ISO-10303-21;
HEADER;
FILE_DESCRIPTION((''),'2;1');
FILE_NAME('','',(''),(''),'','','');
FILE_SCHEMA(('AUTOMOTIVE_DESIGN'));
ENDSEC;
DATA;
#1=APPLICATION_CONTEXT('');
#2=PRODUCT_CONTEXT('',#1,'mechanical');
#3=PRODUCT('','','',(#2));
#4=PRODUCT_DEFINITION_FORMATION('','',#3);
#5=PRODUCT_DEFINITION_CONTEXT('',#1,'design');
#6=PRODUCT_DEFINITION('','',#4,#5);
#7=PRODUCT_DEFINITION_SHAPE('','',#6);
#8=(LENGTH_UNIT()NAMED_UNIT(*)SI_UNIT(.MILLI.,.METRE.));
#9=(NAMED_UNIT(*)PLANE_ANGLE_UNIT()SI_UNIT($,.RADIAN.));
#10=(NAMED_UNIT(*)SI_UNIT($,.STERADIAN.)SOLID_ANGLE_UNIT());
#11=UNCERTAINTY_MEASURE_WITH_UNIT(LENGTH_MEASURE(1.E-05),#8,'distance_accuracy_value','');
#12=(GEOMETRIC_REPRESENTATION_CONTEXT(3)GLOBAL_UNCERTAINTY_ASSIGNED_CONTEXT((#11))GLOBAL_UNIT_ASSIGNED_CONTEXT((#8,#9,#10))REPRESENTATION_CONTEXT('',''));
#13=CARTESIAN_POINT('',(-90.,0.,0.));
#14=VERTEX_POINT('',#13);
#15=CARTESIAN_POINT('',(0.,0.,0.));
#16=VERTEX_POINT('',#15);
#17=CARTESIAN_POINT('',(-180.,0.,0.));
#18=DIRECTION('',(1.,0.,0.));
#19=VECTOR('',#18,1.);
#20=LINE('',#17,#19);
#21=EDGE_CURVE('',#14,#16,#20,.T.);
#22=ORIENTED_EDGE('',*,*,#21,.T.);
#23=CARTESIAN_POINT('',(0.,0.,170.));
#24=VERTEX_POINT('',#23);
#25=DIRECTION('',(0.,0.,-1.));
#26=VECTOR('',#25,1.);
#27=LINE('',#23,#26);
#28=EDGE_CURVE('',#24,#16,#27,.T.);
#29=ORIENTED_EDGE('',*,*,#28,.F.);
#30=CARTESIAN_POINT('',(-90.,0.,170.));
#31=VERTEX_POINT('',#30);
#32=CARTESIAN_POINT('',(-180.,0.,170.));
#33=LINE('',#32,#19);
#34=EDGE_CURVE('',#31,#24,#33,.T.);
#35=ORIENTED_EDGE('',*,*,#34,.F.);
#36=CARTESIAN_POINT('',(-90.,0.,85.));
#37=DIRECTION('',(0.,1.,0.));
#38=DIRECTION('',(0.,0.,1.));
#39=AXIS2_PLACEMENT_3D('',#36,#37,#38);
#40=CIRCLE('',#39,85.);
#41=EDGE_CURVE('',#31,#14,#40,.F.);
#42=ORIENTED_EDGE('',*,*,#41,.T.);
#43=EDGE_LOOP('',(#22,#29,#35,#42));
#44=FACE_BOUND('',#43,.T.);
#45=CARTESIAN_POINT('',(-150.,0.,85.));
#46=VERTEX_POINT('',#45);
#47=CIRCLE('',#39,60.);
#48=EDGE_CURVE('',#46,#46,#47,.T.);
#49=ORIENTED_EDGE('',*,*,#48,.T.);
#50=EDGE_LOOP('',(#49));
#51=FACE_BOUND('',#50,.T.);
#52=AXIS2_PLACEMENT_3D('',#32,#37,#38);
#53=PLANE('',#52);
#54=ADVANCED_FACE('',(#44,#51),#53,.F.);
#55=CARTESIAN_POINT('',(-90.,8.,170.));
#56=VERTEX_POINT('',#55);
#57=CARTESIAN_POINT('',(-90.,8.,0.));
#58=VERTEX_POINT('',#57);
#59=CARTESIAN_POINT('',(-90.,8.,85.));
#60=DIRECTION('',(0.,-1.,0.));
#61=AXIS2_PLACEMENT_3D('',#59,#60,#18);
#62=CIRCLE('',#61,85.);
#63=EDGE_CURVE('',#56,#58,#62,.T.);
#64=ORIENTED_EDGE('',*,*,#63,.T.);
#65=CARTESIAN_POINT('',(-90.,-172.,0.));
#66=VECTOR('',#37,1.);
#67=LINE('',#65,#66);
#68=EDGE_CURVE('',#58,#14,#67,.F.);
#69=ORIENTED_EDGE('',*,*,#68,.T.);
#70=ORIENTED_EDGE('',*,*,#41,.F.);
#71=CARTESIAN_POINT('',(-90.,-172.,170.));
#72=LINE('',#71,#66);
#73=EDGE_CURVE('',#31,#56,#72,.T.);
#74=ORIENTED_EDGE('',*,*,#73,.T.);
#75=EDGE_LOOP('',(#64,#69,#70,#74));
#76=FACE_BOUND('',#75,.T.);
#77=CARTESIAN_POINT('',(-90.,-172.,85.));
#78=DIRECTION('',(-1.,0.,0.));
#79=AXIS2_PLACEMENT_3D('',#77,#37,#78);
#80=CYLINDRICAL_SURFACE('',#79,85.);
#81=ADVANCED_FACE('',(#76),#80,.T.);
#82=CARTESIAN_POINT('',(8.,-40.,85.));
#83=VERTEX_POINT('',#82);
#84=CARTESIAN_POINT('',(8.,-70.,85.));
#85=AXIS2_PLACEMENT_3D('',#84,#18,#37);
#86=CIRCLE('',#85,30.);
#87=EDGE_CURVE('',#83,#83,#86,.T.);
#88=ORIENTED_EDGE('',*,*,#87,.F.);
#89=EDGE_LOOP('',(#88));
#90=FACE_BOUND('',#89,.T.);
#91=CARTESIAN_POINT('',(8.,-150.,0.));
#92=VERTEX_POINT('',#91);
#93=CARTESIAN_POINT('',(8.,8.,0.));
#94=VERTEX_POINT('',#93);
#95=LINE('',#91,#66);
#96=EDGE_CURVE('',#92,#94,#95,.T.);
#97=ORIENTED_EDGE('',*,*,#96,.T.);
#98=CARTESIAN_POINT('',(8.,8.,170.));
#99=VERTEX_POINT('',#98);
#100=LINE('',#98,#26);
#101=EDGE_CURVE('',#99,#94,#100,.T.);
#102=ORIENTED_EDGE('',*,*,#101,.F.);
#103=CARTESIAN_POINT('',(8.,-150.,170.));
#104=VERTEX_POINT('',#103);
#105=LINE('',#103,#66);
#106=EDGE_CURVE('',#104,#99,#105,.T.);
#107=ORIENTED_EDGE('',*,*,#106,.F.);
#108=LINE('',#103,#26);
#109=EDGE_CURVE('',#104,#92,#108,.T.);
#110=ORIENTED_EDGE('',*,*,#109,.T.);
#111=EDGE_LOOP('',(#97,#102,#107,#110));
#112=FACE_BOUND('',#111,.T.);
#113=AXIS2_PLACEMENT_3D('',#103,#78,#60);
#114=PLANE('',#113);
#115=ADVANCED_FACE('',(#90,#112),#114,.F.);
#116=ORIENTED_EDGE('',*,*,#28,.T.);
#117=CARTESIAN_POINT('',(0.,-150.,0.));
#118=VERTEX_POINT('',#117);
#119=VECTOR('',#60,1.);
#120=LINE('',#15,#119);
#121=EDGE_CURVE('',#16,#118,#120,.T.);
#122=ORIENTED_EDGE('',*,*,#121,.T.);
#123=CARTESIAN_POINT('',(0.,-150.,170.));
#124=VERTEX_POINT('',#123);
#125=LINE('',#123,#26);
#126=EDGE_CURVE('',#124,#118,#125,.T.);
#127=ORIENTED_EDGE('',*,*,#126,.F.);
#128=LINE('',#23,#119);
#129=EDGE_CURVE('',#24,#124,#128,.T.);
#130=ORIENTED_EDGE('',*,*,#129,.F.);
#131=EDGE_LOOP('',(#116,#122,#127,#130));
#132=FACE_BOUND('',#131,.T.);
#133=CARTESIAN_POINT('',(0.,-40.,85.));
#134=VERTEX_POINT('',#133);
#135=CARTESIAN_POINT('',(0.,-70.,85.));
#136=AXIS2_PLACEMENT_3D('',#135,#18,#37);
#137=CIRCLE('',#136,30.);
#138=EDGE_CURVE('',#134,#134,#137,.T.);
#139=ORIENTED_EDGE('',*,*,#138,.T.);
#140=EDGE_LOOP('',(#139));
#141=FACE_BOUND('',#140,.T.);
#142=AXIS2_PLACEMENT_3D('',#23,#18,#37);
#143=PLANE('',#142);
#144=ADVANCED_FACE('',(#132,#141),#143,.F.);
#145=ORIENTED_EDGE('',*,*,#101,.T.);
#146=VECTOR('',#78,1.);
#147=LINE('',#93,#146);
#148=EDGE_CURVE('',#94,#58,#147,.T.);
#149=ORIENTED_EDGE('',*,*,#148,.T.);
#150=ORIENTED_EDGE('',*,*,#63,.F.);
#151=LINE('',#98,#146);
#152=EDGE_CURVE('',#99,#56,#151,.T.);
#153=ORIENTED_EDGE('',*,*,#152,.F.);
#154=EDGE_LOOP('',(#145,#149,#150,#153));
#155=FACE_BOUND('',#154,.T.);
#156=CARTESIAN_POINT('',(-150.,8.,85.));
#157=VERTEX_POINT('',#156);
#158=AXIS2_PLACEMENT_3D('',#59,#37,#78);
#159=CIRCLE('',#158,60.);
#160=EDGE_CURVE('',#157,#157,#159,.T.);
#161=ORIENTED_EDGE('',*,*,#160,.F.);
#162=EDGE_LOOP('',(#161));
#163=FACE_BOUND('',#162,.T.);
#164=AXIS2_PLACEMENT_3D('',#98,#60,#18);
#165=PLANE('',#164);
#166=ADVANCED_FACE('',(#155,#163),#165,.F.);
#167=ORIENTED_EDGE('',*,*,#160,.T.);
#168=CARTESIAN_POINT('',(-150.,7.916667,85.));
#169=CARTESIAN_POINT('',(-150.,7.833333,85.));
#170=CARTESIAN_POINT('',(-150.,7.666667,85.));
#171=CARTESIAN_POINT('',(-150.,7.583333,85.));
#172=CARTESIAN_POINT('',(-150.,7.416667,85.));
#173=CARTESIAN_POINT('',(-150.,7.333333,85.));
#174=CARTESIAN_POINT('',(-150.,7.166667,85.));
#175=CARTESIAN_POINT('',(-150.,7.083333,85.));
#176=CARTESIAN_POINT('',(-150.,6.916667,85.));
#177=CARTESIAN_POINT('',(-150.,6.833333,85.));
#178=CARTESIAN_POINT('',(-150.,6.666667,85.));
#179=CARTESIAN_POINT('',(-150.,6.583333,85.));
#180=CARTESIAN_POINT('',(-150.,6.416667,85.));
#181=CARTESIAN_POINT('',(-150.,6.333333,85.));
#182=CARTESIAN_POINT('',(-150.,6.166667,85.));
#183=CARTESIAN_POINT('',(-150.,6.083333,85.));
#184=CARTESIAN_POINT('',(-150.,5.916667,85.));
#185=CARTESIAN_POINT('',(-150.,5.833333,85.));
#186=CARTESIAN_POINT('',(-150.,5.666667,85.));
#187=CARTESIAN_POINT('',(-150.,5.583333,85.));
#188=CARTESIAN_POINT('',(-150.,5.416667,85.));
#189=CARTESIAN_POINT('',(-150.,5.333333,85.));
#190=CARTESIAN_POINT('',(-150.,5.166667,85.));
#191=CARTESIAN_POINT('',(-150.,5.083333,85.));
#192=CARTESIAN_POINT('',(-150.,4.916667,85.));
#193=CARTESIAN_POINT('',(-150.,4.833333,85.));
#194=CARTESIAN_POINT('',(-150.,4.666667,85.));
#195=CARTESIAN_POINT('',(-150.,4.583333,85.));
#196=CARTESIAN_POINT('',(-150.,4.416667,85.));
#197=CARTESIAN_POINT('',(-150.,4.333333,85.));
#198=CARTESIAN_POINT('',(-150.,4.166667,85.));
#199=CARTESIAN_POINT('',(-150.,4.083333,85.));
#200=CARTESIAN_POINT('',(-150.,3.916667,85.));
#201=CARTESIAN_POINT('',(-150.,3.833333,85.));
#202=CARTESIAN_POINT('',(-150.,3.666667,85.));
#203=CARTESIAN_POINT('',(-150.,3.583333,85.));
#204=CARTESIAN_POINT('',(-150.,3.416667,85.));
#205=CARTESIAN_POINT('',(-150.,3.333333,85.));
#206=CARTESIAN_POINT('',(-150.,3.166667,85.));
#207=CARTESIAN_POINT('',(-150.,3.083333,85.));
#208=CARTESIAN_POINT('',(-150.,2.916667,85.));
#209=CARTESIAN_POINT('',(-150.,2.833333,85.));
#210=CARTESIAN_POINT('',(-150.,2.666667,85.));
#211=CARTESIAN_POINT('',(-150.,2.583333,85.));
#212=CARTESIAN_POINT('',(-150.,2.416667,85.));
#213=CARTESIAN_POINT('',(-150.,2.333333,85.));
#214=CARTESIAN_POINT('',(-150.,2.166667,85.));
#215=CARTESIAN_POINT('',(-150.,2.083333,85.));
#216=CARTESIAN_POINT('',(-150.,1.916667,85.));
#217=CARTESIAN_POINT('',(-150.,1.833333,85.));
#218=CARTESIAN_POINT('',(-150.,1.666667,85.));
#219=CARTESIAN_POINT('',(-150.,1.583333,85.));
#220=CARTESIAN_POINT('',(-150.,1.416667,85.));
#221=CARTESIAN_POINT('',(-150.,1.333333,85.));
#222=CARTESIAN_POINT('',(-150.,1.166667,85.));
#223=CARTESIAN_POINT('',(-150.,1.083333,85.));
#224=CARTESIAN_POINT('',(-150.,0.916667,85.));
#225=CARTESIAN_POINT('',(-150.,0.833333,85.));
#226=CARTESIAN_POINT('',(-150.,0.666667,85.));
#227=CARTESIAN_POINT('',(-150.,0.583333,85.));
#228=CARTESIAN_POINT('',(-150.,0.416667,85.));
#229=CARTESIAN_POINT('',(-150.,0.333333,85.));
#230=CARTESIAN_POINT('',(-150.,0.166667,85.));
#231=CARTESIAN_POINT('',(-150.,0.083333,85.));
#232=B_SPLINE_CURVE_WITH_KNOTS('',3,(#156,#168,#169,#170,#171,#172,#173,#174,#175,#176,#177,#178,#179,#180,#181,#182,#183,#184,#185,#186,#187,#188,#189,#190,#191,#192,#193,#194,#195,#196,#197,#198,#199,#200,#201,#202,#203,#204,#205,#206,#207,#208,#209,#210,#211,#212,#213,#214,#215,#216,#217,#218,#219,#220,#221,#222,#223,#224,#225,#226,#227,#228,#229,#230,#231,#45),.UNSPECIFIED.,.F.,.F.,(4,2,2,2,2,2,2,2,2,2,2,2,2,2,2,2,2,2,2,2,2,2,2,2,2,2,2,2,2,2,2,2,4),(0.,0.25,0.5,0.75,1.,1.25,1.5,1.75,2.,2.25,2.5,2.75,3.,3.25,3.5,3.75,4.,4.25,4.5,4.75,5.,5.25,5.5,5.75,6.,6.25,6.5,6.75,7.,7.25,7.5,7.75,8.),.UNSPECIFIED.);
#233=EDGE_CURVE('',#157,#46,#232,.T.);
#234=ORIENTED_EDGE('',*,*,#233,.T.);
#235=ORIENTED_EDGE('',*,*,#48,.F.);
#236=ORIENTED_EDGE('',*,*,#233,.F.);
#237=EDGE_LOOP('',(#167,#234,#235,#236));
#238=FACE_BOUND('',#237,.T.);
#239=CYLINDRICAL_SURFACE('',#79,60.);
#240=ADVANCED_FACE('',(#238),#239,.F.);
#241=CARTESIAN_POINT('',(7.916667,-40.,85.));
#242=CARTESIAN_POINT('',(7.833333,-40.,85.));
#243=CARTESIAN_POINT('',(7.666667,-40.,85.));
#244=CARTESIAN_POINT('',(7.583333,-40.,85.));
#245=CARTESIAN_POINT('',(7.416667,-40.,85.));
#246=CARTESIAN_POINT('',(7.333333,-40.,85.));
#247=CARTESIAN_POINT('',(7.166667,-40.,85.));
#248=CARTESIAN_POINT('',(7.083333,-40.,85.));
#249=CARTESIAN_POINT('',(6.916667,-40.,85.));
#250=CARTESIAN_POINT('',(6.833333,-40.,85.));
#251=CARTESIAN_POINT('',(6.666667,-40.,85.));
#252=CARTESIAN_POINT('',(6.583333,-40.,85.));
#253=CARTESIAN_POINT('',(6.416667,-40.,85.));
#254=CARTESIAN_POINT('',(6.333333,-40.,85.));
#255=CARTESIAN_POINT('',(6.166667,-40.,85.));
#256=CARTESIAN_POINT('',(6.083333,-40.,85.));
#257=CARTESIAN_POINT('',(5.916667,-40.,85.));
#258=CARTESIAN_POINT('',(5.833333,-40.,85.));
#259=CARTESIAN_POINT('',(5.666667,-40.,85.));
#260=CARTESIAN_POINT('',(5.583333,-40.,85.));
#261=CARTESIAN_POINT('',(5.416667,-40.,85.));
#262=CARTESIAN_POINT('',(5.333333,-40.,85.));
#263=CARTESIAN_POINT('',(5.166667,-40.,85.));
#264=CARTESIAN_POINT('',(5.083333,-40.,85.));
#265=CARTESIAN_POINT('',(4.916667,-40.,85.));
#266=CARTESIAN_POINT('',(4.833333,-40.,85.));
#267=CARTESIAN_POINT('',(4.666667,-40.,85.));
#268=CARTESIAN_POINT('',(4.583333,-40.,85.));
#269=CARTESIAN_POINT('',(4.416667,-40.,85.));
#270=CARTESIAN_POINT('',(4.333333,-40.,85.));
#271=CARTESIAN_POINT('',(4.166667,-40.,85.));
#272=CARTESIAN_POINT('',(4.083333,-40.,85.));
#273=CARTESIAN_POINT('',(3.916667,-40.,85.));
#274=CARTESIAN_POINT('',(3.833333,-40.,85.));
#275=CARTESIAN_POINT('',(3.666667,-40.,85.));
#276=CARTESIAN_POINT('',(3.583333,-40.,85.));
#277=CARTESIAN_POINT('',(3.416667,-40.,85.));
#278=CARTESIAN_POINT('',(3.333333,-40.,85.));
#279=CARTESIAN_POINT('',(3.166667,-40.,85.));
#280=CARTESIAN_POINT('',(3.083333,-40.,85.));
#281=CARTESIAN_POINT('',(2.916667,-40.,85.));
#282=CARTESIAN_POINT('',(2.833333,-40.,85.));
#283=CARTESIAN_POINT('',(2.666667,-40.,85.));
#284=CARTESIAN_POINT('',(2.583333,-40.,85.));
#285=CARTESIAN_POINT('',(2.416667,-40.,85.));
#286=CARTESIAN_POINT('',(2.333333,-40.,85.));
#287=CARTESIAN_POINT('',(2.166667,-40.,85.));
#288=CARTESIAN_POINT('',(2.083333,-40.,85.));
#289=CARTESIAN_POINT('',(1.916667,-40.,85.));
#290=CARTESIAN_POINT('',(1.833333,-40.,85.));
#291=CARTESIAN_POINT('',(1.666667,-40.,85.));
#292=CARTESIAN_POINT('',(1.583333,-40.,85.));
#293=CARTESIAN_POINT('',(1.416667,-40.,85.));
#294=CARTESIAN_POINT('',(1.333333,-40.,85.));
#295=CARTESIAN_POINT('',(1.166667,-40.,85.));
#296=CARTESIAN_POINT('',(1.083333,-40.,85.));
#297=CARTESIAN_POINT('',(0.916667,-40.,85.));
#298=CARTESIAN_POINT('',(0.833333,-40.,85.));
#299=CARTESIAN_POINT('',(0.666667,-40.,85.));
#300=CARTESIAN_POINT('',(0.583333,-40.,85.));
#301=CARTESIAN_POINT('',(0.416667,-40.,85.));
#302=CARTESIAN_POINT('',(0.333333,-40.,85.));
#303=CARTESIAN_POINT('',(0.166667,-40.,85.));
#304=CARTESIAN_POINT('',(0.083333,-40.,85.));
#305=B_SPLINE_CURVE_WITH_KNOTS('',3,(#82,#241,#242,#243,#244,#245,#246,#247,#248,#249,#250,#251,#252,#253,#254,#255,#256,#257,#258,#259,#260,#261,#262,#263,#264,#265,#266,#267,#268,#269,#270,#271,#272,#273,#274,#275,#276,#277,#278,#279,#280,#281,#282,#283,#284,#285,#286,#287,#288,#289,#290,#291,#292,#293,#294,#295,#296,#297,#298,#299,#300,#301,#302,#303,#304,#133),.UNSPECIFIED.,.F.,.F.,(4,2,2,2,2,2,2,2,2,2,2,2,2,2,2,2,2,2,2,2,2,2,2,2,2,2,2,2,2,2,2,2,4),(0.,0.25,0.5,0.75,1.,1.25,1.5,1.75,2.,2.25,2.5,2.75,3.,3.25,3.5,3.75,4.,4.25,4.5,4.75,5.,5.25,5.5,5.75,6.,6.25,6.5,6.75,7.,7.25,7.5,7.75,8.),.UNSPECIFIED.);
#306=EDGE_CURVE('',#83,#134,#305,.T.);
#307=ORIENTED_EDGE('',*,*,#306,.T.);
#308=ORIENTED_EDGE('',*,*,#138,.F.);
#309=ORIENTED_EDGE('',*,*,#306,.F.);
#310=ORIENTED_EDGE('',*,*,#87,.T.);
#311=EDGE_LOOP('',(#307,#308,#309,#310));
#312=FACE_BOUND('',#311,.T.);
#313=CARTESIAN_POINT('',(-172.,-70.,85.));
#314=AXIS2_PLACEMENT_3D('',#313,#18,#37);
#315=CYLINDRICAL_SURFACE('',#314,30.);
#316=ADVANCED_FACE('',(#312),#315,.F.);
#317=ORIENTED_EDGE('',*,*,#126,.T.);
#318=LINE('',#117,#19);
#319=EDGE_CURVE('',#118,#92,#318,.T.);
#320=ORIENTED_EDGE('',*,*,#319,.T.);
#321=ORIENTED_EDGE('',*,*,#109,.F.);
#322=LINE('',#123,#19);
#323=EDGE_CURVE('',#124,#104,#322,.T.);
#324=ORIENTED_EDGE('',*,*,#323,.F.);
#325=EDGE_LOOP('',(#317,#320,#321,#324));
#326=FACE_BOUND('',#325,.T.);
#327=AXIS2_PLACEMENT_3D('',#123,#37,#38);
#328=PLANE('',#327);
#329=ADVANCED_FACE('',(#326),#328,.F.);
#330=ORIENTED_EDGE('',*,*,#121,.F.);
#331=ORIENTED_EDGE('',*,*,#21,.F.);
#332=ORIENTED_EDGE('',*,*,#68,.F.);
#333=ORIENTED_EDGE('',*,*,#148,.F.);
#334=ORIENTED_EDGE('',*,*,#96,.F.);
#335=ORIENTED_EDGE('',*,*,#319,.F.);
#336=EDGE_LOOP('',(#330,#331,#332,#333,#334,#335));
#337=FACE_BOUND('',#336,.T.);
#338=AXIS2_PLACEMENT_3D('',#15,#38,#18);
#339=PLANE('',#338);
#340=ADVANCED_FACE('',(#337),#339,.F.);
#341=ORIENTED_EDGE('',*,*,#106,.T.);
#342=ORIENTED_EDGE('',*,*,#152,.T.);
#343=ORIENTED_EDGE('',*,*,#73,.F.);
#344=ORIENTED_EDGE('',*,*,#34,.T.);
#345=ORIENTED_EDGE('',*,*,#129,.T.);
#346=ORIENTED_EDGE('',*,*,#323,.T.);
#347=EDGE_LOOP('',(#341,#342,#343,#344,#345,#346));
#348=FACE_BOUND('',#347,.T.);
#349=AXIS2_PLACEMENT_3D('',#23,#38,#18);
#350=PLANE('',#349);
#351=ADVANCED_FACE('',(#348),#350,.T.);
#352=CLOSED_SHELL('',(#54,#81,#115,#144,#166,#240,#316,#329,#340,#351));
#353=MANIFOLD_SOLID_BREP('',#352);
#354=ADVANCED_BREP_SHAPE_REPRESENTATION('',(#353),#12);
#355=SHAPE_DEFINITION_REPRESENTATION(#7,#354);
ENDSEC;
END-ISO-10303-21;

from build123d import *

# Parameters (mm, degrees)
EXTRUDE_1_DEPTH     = 170
SKETCH_2_R          = 60
CUT_EXTRUDE_1_DEPTH = 180
SKETCH_3_R          = 30
CUT_EXTRUDE_2_DEPTH = 180


with BuildPart() as part:
    # 草图1 → 凸台-拉伸1 (new body)
    with BuildSketch(Plane.XY):
        Polygon((-180, 0), (0, 0), (0, -150), (8, -150), (8, 8), (-180, 8), align=None)
    extrude(amount=EXTRUDE_1_DEPTH)

    # 草图2 → 切除-拉伸1 (cut)
    with BuildSketch(Plane(origin=(0, 8, 0), x_dir=(1, 0, 0), z_dir=(0, 1, 0))):
        with Locations(Location((-90, -85, 0), (0, 0, 180))):
            Circle(SKETCH_2_R)
        with BuildLine():
            ThreePointArc((-90, -170), (-175, -85), (-90, 0))
            Line((-90, 0), (-180, 0))
            Line((-180, 0), (-180, -170))
            Line((-180, -170), (-90, -170))
        make_face()
    extrude(amount=-CUT_EXTRUDE_1_DEPTH, mode=Mode.SUBTRACT)

    # 草图3 → 切除-拉伸2 (cut)
    with BuildSketch(Plane(origin=(8, 0, 0), x_dir=(0, 0, -1), z_dir=(1, 0, 0))):
        with Locations(Location((-85, -70, 0), (0, 0, 90))):
            Circle(SKETCH_3_R)
    extrude(amount=-CUT_EXTRUDE_2_DEPTH, mode=Mode.SUBTRACT)


solid = part.part
